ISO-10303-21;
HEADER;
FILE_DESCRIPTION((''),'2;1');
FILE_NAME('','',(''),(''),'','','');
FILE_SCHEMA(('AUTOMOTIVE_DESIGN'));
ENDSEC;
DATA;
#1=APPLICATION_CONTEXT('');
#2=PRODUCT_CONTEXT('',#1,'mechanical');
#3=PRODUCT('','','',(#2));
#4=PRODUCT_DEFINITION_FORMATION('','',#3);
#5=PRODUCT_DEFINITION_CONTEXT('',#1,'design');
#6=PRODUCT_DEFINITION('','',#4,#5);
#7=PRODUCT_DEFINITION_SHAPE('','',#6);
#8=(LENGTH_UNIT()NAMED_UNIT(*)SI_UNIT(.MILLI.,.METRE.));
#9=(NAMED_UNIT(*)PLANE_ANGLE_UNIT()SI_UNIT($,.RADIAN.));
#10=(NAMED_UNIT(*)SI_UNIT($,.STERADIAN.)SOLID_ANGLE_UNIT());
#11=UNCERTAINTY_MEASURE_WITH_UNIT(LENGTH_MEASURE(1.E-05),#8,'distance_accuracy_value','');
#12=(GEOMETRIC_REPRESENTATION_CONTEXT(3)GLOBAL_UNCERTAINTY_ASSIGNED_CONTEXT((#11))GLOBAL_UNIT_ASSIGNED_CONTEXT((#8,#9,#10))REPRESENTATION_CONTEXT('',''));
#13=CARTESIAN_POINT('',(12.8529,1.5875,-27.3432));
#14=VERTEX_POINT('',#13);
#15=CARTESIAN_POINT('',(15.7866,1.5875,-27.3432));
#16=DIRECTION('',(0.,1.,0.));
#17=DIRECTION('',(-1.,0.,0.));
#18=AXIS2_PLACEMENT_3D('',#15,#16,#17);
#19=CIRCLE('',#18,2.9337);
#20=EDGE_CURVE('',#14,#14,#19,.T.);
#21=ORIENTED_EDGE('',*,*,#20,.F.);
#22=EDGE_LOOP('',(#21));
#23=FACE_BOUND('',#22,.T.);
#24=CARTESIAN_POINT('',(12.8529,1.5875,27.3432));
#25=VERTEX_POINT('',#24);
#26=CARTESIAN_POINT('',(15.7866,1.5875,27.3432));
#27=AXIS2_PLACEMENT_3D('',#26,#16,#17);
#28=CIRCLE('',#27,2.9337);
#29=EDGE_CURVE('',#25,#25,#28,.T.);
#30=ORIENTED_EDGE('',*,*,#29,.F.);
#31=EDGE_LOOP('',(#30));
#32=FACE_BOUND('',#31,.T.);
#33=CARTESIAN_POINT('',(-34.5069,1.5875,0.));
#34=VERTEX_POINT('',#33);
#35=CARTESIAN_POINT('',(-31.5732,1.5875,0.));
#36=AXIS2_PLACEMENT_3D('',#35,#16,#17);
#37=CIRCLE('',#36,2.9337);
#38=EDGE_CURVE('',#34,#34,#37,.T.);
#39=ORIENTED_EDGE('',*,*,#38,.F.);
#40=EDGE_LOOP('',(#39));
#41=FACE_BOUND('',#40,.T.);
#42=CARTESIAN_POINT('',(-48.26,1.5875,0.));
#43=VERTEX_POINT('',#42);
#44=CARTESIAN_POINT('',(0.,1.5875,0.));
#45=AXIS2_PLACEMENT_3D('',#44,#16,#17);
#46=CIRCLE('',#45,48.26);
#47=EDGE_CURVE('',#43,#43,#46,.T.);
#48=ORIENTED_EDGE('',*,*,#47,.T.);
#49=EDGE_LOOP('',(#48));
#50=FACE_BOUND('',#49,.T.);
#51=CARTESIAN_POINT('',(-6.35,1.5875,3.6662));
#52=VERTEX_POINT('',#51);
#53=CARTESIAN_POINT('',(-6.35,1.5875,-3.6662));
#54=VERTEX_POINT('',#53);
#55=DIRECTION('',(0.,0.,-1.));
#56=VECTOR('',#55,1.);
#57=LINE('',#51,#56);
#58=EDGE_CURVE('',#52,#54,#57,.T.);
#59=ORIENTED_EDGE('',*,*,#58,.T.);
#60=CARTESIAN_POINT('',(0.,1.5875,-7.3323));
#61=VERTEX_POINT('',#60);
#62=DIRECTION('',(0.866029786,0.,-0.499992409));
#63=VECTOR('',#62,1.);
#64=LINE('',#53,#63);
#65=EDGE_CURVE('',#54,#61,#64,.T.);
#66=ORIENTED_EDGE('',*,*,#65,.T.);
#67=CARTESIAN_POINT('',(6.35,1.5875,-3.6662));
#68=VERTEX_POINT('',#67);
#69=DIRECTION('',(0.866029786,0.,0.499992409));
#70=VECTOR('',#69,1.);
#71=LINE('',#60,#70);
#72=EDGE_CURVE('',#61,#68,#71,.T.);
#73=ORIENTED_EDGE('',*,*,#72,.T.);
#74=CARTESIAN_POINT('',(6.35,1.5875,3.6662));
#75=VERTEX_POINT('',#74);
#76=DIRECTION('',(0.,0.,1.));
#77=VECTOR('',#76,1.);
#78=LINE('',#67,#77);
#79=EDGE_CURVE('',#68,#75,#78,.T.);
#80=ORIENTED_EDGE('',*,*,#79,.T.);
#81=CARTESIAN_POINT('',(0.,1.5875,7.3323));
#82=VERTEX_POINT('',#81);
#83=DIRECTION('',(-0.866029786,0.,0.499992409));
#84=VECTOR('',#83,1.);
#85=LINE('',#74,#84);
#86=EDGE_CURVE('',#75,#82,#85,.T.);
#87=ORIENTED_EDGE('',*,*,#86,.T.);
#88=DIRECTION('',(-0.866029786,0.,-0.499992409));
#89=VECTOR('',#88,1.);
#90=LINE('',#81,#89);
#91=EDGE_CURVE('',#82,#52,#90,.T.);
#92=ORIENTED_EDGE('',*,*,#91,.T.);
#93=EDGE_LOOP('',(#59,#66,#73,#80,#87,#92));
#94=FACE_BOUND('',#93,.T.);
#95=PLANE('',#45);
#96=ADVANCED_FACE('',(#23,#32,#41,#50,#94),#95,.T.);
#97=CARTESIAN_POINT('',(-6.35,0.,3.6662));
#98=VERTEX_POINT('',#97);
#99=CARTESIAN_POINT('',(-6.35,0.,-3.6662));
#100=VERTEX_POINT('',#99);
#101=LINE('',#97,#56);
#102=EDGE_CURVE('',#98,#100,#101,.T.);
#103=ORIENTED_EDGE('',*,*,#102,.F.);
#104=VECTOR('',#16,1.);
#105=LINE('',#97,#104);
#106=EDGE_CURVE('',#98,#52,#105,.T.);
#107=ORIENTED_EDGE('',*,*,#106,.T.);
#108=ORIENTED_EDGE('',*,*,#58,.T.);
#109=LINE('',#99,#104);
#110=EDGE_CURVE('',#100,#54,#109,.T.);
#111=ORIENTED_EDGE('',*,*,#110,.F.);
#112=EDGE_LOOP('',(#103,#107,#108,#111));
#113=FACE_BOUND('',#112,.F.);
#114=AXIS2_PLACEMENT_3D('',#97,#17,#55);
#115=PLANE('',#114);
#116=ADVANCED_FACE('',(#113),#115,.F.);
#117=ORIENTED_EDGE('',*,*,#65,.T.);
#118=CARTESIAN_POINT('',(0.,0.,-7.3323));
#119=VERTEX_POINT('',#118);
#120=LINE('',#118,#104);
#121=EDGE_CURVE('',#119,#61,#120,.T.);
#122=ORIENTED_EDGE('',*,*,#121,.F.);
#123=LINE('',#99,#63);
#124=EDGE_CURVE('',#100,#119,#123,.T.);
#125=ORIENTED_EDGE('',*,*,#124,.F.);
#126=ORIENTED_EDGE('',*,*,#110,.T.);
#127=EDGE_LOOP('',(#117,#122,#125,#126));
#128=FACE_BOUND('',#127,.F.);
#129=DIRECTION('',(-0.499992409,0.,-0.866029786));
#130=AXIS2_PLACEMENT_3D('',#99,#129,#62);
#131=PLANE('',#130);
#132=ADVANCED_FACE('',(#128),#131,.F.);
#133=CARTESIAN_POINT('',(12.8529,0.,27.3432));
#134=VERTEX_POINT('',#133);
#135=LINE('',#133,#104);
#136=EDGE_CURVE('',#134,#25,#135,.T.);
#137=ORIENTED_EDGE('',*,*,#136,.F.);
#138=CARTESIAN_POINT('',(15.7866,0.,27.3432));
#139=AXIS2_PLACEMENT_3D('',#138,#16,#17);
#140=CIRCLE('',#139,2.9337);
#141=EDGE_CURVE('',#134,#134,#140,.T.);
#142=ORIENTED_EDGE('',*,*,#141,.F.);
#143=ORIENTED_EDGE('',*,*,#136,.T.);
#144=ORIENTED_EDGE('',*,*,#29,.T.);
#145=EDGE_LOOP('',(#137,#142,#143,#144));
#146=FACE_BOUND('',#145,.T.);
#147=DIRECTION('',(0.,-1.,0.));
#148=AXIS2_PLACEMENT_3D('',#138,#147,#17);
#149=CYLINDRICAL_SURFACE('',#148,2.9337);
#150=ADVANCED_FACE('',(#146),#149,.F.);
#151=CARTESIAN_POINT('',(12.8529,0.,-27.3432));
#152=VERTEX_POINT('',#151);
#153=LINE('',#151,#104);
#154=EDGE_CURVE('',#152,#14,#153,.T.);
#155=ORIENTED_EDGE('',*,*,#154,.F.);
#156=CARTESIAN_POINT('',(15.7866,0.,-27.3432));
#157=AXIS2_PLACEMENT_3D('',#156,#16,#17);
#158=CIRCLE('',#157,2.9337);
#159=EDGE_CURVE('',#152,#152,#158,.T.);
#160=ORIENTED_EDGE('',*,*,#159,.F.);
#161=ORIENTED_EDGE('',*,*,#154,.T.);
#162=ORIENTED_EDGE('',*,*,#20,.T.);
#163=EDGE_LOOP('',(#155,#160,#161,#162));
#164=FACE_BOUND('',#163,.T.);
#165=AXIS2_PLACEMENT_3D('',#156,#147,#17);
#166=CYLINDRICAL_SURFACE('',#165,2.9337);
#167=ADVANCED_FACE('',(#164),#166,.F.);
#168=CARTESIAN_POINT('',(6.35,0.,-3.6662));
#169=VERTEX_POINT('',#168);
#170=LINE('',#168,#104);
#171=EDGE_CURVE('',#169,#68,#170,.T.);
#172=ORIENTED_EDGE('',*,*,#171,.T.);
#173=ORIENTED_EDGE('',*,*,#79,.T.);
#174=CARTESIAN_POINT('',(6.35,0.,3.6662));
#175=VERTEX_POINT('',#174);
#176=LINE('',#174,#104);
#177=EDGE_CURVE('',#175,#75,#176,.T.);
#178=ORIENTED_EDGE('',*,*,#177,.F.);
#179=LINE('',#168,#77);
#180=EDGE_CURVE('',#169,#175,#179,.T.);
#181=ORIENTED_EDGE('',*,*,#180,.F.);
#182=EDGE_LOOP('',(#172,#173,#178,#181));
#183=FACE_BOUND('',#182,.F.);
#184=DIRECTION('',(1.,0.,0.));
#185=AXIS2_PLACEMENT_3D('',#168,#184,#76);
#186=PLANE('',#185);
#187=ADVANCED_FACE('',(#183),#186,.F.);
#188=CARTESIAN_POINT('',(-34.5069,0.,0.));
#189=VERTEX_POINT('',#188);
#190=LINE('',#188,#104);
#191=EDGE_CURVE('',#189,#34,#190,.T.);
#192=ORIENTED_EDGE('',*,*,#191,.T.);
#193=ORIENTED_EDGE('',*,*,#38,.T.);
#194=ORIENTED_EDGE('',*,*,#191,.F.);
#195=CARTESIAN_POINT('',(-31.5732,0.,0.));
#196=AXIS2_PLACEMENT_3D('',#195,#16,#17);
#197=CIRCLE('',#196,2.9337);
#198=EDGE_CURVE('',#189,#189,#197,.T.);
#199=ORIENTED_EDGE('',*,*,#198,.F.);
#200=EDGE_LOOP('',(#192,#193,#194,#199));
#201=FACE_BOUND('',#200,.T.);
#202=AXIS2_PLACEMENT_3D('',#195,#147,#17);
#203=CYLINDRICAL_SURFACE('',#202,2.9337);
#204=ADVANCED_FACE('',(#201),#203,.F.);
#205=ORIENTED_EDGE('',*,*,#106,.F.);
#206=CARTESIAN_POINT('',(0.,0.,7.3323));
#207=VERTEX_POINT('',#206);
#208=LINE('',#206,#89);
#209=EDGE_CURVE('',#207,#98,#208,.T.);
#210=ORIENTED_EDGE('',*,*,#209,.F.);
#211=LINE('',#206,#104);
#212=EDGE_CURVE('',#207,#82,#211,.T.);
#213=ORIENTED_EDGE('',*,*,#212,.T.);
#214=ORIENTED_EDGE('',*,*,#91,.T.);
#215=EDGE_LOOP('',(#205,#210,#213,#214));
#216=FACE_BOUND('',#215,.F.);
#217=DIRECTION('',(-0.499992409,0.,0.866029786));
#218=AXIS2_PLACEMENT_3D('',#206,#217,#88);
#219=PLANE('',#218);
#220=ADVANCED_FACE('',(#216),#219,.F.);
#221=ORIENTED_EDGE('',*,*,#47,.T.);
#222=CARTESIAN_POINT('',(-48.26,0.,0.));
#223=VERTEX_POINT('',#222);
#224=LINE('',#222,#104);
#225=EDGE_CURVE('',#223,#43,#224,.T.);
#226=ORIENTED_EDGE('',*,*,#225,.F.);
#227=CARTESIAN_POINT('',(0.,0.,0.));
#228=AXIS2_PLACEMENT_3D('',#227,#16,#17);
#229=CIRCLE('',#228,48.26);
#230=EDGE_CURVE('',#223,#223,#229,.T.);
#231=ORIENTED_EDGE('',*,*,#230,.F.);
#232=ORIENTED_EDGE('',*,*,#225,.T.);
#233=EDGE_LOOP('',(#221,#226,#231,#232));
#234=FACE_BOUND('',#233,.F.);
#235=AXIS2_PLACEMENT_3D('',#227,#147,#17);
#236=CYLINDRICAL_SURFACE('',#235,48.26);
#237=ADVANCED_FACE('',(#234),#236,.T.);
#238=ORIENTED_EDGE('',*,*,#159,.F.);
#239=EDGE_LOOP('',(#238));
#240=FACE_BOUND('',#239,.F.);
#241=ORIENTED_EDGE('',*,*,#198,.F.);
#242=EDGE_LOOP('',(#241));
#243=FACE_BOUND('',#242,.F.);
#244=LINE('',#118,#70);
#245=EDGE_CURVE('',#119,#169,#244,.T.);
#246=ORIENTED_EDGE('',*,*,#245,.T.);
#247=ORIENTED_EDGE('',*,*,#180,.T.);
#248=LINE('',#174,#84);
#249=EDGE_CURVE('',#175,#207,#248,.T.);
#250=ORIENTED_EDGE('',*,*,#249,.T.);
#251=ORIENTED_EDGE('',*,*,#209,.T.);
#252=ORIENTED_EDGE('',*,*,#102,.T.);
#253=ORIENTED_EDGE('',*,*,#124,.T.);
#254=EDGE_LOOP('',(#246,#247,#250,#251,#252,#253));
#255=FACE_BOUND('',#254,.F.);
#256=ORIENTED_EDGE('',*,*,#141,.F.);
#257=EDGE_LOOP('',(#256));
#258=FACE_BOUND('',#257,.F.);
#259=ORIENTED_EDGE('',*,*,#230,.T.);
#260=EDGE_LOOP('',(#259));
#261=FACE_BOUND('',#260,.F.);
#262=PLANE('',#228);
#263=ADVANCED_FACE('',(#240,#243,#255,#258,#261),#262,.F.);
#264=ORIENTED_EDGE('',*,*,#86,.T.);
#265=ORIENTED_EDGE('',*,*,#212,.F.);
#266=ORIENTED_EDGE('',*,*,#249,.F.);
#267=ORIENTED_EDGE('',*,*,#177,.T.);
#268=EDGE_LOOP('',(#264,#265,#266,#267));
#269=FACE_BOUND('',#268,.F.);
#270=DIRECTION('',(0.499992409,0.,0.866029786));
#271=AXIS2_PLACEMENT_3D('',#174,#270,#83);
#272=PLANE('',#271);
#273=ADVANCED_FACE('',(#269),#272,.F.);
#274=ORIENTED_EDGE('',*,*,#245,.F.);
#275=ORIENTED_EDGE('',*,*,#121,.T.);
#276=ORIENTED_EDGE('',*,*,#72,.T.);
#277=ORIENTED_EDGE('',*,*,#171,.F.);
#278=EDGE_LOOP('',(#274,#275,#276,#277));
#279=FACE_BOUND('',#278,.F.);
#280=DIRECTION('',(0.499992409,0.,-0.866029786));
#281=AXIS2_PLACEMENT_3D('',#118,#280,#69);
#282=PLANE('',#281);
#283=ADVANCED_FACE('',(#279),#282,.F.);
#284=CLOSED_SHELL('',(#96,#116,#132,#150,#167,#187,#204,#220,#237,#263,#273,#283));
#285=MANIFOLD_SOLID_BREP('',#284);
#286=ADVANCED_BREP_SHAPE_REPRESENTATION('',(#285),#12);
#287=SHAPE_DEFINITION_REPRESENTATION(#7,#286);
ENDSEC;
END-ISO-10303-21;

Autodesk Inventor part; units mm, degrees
ref_plane "YZ Plane" through (0, 0, 0) normal (1, 0, 0) x (0, 1, 0)
ref_plane "XZ Plane" through (0, 0, 0) normal (0, 1, 0) x (-1, 0, 0)
ref_plane "XY Plane" through (0, 0, 0) normal (0, 0, 1) x (1, 0, 0)
sketch "Sketch1" plane through (0, 0, 0) normal (0, 1, 0) x (-1, 0, 0)
  line L0 (6.35, -3.6662) -> (0, -7.3323)
  line L1 (0, -7.3323) -> (-6.35, -3.6662)
  line L2 (-6.35, -3.6662) -> (-6.35, 3.6662)
  line L3 (-6.35, 3.6662) -> (0, 7.3323)
  line L4 (0, 7.3323) -> (6.35, 3.6662)
  line L5 (6.35, 3.6662) -> (6.35, -3.6662)
  circle A0 centre (0, 0) radius 38.1
  line L6 (31.5732, -7.3323) -> (25.2232, -3.6662)
  line L7 (25.2232, -3.6662) -> (25.2232, 3.6662)
  line L8 (25.2232, 3.6662) -> (31.5732, 7.3323)
  line L9 (31.5732, 7.3323) -> (37.9232, 3.6662)
  line L10 (37.9232, 3.6662) -> (37.9232, -3.6662)
  line L11 (37.9232, -3.6662) -> (31.5732, -7.3323)
  line L12 (-15.7866, -20.0108) -> (-9.4366, -23.677)
  line L13 (-9.4366, -23.677) -> (-9.4366, -31.0094)
  line L14 (-9.4366, -31.0094) -> (-15.7866, -34.6755)
  line L15 (-15.7866, -34.6755) -> (-22.1366, -31.0094)
  line L16 (-22.1366, -31.0094) -> (-22.1366, -23.677)
  line L17 (-22.1366, -23.677) -> (-15.7866, -20.0108)
  line L18 (-15.7866, 20.0108) -> (-22.1366, 23.677)
  line L19 (-22.1366, 23.677) -> (-22.1366, 31.0094)
  line L20 (-22.1366, 31.0094) -> (-15.7866, 34.6755)
  line L21 (-15.7866, 34.6755) -> (-9.4366, 31.0094)
  line L22 (-9.4366, 31.0094) -> (-9.4366, 23.677)
  line L23 (-9.4366, 23.677) -> (-15.7866, 20.0108)
  circle A1 centre (0, 0) radius 48.26
  circle A2 centre (31.5732, 0) radius 2.9337
  circle A3 centre (-15.7866, -27.3432) radius 2.9337
  circle A4 centre (-15.7866, 27.3432) radius 2.9337
  dimension "d0" = 6.35
  dimension "d1" = 76.2
  dimension "d2" = 120
  dimension "d3" = 120
  dimension "d4" = 10.16
  dimension "d5" = 5.8674
extrude "Extrusion1" add sketch "Sketch1" along normal blind 1.5875 contours A0 L10 | L9 L8 L7 L6 L11 A0 L14 L13 L12 L17 L16 L19 L18 L23 L22 L21 | L10 L11 L6 L7 L8 L9 | L20 A0 | L21 L22 L23 L18 L19 L20 | L15 L16 L17 L12 L13 L14 | A0 L15 | A1
properties part number "spoolEnd"
